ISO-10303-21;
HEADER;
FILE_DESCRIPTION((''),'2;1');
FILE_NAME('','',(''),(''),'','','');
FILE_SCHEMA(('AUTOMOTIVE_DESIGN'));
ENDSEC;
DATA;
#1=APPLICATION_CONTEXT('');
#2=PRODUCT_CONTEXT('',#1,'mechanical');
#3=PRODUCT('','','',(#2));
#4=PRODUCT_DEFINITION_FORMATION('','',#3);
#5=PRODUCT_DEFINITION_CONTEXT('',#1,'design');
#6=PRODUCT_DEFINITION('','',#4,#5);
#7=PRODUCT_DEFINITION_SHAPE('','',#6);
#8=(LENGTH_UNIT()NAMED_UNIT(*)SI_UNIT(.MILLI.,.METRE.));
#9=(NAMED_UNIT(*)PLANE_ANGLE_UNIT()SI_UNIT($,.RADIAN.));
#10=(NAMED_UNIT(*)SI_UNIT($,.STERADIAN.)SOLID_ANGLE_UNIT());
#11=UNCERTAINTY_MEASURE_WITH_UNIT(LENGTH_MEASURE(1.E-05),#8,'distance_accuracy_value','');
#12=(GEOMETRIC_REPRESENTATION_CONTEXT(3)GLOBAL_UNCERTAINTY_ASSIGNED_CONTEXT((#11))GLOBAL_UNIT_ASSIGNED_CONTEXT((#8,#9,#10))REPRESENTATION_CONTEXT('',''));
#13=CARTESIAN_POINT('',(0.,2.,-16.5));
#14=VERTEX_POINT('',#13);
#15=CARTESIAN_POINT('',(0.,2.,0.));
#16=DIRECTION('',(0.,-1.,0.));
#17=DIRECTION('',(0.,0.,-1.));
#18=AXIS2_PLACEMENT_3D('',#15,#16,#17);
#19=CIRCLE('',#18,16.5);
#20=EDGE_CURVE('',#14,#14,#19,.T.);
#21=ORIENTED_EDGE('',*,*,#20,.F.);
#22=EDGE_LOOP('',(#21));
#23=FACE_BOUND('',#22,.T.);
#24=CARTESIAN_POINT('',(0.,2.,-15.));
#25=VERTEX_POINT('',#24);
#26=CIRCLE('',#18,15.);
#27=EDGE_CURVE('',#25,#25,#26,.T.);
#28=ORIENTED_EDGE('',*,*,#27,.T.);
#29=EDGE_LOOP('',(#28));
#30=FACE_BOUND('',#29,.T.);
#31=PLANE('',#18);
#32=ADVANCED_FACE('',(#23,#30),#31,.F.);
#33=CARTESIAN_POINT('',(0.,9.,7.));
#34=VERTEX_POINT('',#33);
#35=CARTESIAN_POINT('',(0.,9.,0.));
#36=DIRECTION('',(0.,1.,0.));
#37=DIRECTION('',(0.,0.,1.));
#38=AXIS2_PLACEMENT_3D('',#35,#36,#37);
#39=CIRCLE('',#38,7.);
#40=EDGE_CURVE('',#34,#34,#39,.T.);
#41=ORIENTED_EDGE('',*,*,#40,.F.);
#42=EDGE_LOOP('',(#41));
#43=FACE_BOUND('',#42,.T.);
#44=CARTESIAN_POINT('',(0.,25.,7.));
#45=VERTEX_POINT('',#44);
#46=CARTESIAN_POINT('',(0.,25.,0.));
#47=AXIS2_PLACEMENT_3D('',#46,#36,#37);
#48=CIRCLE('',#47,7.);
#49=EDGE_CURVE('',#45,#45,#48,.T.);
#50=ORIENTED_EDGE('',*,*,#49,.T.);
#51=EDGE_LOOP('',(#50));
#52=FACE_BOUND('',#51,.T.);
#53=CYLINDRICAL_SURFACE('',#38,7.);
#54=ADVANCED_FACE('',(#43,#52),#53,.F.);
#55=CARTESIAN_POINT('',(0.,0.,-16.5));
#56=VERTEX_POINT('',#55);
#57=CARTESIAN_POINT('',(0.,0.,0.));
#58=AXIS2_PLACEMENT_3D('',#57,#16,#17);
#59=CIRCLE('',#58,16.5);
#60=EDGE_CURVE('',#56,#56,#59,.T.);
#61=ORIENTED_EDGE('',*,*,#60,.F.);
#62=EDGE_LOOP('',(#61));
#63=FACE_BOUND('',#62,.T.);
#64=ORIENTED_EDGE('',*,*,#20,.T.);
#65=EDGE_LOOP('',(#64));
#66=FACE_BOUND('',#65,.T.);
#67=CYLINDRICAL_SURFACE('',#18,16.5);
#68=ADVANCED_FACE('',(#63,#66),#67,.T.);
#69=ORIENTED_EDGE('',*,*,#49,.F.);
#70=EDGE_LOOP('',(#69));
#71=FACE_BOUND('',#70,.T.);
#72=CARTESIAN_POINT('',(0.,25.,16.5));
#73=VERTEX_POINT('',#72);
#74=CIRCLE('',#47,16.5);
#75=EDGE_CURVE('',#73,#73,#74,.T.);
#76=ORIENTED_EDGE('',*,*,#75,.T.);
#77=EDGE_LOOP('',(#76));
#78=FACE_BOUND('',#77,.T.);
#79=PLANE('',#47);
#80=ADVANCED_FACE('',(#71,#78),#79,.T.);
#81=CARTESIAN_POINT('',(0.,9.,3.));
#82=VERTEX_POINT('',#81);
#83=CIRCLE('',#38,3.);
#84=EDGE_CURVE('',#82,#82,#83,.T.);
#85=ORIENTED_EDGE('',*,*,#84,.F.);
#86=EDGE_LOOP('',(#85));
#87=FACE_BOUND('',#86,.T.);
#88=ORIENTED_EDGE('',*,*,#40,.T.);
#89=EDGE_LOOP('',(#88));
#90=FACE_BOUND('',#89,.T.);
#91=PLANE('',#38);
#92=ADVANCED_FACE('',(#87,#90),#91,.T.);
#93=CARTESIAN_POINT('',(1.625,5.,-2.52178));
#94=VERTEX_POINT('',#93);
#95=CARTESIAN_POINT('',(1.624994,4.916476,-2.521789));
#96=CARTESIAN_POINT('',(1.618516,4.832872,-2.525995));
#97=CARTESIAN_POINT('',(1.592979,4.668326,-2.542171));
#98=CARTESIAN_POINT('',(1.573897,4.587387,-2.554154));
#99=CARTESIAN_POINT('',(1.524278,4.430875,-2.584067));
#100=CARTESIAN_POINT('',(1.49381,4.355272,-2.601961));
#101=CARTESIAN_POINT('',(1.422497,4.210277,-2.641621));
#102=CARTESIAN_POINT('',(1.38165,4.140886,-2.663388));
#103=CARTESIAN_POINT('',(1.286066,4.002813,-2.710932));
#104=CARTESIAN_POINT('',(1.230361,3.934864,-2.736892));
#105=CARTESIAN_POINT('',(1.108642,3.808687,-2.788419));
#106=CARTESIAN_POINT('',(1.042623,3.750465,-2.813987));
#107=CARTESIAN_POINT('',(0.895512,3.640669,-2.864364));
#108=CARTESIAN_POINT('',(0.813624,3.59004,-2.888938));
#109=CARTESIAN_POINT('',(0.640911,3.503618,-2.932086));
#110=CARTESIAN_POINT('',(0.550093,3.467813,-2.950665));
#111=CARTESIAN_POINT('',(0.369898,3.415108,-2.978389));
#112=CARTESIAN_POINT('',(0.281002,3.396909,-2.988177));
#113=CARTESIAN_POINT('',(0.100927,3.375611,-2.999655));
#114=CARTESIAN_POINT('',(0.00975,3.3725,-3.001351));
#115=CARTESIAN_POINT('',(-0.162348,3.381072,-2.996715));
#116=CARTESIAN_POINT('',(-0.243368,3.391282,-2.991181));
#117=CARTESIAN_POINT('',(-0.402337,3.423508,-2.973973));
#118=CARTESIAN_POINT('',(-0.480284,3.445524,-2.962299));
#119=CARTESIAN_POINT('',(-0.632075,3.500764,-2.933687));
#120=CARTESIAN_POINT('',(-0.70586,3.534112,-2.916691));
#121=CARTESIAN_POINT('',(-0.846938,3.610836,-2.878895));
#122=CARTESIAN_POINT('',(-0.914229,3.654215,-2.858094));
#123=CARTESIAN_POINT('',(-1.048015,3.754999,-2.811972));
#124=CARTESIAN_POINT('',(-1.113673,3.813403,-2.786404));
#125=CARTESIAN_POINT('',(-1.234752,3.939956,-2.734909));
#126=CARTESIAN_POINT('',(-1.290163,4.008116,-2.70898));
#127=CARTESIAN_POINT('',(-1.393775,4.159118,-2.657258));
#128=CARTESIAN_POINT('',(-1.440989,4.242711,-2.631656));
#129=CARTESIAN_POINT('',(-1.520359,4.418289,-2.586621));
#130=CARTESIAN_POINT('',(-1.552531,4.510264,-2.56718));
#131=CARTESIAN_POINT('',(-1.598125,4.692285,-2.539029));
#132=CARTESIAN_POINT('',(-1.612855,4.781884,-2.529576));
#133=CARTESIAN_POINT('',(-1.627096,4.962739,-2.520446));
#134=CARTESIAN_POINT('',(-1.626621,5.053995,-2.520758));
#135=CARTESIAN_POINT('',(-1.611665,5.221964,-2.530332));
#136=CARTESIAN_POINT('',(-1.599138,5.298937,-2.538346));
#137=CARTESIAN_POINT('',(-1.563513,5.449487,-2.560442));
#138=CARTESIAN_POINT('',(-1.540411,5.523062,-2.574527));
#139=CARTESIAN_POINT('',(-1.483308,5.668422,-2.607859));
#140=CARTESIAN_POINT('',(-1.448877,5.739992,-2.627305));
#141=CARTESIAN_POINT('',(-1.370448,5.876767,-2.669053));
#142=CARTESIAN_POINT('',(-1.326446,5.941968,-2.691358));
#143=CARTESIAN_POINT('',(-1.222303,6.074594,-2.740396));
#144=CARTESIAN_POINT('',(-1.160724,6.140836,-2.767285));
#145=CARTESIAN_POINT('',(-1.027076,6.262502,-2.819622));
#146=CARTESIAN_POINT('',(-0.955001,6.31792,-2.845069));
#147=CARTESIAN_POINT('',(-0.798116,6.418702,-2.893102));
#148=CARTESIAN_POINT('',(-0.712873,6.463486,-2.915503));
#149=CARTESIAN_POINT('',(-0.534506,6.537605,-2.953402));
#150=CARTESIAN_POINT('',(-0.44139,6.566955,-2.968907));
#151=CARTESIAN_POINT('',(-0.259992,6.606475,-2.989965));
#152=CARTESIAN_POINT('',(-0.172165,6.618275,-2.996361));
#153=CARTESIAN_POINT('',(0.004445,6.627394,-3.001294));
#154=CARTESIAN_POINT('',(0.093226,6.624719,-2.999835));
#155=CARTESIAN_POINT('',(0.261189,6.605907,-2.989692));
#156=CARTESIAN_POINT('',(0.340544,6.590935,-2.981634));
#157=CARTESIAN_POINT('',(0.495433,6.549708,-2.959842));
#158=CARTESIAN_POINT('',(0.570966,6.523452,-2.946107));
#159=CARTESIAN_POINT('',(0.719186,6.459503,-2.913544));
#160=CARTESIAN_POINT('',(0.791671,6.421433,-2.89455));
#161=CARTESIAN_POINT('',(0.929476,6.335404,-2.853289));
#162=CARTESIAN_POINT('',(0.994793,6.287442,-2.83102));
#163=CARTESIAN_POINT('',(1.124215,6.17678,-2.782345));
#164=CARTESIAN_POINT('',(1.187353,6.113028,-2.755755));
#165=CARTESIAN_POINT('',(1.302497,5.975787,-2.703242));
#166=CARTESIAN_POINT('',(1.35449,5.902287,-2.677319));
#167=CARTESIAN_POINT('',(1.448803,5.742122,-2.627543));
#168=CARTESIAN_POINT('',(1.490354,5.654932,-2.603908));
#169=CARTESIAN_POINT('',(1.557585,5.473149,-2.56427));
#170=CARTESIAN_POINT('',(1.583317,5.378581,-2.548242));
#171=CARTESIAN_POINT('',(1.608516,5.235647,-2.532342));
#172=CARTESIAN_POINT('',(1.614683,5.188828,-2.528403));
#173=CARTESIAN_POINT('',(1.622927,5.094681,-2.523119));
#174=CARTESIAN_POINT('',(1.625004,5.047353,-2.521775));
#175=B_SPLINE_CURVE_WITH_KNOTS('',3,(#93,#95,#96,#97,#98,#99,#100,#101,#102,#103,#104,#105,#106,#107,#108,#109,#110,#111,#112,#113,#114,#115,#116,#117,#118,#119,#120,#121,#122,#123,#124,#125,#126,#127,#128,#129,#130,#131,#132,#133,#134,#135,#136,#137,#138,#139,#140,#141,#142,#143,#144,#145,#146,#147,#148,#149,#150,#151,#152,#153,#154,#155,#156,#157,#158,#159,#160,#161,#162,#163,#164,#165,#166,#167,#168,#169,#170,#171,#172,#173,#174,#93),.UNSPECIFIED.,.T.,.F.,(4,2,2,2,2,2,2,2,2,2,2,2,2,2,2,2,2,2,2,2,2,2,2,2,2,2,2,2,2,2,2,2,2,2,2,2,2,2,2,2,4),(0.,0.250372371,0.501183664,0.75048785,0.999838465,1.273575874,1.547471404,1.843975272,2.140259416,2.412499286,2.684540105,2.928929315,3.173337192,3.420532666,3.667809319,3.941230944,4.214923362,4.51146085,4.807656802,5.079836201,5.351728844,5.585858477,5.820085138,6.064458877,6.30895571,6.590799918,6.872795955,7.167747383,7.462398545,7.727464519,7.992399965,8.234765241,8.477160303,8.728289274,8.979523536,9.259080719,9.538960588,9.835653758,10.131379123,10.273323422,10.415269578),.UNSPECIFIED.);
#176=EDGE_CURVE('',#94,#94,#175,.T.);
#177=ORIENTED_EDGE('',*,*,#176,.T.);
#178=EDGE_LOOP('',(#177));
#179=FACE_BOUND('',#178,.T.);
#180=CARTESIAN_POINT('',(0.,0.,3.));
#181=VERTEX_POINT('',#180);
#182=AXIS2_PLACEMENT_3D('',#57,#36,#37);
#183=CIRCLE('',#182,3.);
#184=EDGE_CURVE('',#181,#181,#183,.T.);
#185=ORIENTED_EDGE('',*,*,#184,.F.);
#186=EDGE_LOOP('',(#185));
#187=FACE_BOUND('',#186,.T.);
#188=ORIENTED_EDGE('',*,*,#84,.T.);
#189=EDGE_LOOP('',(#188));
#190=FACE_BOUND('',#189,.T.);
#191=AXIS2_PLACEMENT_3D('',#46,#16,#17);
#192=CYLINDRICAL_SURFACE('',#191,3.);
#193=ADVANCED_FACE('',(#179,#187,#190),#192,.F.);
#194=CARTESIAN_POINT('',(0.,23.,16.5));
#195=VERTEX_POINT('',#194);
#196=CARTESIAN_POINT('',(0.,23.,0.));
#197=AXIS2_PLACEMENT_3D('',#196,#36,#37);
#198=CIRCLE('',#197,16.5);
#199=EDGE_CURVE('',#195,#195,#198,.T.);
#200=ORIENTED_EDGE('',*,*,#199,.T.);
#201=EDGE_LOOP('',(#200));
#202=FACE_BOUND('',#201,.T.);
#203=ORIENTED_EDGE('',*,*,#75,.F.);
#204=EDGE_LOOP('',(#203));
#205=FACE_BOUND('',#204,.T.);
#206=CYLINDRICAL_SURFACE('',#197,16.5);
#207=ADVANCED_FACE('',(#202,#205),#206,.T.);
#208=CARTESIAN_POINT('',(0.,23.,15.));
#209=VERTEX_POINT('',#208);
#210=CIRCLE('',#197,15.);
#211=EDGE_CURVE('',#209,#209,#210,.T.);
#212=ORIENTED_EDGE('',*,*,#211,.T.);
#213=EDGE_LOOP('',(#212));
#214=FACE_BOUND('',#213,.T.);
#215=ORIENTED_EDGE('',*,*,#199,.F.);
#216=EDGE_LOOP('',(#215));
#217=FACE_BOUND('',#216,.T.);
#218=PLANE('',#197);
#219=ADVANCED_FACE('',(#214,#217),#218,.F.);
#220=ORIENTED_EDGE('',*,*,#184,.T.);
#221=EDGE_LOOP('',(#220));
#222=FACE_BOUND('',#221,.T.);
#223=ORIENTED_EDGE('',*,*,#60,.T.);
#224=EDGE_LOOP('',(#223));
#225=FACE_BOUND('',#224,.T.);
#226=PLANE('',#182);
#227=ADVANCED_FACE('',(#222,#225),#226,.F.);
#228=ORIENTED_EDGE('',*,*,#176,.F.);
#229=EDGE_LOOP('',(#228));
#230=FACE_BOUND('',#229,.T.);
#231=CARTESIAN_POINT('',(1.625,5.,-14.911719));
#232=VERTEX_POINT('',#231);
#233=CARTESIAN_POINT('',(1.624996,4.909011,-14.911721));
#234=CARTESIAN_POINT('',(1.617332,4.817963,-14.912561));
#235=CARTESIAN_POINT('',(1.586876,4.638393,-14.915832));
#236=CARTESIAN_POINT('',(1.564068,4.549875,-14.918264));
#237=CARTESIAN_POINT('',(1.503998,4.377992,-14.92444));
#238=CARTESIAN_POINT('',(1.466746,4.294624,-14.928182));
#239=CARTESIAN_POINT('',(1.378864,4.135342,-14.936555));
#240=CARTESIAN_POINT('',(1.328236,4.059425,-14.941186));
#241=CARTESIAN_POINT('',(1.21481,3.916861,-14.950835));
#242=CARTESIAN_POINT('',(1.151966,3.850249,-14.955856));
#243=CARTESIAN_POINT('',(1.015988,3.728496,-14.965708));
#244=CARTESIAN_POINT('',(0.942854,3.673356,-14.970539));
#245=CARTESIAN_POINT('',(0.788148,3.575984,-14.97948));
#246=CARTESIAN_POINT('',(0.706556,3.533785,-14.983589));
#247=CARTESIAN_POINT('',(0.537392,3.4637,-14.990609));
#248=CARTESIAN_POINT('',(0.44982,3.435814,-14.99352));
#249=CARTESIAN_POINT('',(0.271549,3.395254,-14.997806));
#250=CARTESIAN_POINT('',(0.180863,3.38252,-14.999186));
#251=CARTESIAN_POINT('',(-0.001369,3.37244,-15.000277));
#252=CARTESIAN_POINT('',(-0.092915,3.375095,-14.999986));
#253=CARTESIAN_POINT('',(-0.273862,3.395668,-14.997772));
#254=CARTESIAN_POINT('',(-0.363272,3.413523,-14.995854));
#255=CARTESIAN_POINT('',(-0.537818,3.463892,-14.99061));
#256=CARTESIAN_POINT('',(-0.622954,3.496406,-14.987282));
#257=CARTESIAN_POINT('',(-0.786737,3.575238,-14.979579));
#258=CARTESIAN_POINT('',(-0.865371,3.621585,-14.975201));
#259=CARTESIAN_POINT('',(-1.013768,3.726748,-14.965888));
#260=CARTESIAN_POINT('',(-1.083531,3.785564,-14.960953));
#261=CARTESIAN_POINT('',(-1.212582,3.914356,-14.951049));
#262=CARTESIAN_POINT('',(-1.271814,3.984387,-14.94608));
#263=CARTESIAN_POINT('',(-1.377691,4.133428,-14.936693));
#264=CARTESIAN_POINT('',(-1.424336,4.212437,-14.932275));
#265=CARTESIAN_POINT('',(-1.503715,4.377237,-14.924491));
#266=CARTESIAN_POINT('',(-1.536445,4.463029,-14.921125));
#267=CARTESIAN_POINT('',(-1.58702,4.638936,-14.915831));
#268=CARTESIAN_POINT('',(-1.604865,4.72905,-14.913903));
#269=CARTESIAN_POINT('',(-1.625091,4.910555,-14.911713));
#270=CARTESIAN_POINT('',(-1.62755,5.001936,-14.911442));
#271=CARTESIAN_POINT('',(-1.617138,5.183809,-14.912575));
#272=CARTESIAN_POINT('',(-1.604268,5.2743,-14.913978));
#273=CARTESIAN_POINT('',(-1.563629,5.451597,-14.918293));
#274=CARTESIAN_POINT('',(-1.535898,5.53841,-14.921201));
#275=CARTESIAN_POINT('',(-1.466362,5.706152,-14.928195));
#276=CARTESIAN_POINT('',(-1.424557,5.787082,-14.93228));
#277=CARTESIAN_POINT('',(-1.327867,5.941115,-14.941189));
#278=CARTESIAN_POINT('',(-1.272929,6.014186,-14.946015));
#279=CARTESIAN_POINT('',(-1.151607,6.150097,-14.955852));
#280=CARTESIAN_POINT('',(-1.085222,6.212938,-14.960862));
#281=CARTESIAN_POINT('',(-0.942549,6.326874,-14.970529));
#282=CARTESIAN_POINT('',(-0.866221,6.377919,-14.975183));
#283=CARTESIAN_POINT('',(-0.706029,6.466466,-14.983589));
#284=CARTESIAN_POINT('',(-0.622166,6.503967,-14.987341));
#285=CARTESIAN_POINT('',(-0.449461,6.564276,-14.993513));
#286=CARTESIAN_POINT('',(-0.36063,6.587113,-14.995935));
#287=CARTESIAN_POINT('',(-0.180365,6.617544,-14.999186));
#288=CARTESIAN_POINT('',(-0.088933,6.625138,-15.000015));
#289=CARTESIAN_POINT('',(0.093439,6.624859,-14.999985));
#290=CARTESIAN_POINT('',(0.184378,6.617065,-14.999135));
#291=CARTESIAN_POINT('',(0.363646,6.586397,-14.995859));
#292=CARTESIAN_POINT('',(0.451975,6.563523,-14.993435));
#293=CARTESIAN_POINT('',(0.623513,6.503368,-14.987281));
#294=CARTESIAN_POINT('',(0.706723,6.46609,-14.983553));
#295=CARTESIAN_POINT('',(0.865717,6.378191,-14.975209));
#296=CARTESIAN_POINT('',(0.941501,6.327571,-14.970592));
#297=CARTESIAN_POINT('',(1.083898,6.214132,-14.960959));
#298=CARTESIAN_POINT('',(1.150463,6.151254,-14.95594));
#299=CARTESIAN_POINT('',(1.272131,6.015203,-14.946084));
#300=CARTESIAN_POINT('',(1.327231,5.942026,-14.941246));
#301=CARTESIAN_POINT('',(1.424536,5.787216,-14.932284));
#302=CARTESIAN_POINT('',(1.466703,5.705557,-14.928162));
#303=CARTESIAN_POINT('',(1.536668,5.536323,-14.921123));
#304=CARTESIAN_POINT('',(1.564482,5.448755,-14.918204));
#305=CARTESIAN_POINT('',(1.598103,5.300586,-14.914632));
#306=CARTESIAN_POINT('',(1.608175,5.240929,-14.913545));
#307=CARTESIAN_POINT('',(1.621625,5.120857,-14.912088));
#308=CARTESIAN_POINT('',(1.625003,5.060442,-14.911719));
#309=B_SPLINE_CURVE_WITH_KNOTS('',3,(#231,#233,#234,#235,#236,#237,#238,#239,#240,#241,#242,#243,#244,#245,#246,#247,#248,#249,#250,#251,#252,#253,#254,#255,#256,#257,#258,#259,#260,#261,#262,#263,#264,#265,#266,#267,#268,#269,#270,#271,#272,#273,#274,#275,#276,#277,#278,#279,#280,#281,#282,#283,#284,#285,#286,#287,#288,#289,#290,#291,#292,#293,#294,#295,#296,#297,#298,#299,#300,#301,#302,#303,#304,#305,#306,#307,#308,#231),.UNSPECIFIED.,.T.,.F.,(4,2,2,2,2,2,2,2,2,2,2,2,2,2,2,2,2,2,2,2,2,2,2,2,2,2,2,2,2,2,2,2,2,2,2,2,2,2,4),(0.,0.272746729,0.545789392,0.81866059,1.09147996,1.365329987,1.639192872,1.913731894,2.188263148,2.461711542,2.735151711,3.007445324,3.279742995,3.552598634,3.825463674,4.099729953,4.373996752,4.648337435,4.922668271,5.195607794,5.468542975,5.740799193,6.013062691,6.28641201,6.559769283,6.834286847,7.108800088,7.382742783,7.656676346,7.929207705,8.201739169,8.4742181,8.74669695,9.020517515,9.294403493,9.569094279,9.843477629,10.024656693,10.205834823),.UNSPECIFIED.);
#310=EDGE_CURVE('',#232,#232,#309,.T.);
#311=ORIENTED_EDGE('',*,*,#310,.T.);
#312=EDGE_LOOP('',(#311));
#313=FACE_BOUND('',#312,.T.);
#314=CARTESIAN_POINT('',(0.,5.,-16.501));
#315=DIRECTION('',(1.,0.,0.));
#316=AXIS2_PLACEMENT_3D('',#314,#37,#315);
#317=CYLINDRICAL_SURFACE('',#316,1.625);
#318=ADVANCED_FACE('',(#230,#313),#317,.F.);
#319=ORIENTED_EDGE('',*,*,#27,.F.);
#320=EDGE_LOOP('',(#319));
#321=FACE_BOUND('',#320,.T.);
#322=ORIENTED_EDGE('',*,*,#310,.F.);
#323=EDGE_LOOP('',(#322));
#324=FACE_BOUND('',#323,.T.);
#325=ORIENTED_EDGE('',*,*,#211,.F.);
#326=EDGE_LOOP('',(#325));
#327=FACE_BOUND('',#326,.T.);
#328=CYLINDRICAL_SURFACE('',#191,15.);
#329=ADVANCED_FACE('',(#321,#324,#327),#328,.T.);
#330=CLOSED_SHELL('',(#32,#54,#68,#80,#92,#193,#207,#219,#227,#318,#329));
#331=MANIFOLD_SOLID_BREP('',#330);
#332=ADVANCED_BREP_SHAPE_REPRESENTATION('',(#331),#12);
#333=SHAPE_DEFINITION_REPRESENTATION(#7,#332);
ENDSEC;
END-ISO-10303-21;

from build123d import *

# Parameters (mm, degrees)
CROQUIS1_R              = 15
CROQUIS1_R_2            = 3
SALIENTE_EXTRUIR1_DEPTH = 25
CROQUIS2_R              = 16.5
CROQUIS2_R_2            = 3
SALIENTE_EXTRUIR2_DEPTH = 2
CROQUIS3_R              = 16.5
CROQUIS3_R_2            = 3
SALIENTE_EXTRUIR3_DEPTH = 2
CORTAR_EXTRUIR1_REACH   = 18.5
CROQUIS4_R              = 1.625
CROQUIS5_R              = 7
CORTAR_EXTRUIR2_DEPTH   = 16


with BuildPart() as part:
    # Croquis1 → Saliente-Extruir1 (new body)
    with BuildSketch(Plane(origin=(0, 0, 0), x_dir=(1, 0, 0), z_dir=(0, 1, 0))):
        Circle(CROQUIS1_R)
        Circle(CROQUIS1_R_2, mode=Mode.SUBTRACT)
    extrude(amount=SALIENTE_EXTRUIR1_DEPTH)

    # Croquis2 → Saliente-Extruir2 (add)
    with BuildSketch(Plane.XZ):
        Circle(CROQUIS2_R)
        Circle(CROQUIS2_R_2, mode=Mode.SUBTRACT)
    extrude(amount=-SALIENTE_EXTRUIR2_DEPTH)

    # Croquis3 → Saliente-Extruir3 (add)
    with BuildSketch(Plane(origin=(0, 25, 0), x_dir=(1, 0, 0), z_dir=(0, 1, 0))):
        Circle(CROQUIS3_R)
        Circle(CROQUIS3_R_2, mode=Mode.SUBTRACT)
    extrude(amount=-SALIENTE_EXTRUIR3_DEPTH)

    # Croquis4 → Cortar-Extruir1 (cut, up to next)
    with BuildSketch(Plane.XY, mode=Mode.PRIVATE) as cortar_extruir1_sk1:
        with Locations((0, 5)):
            Circle(CROQUIS4_R)
    cortar_extruir1_tool1 = extrude(cortar_extruir1_sk1.sketch, amount=-CORTAR_EXTRUIR1_REACH, mode=Mode.PRIVATE) & part.part
    add(cortar_extruir1_tool1.solids().sort_by_distance((0, 5, 0))[0], mode=Mode.SUBTRACT)

    # Croquis5 → Cortar-Extruir2 (cut)
    with BuildSketch(Plane(origin=(0, 25, 0), x_dir=(1, 0, 0), z_dir=(0, 1, 0))):
        Circle(CROQUIS5_R)
    extrude(amount=-CORTAR_EXTRUIR2_DEPTH, mode=Mode.SUBTRACT)


solid = part.part
